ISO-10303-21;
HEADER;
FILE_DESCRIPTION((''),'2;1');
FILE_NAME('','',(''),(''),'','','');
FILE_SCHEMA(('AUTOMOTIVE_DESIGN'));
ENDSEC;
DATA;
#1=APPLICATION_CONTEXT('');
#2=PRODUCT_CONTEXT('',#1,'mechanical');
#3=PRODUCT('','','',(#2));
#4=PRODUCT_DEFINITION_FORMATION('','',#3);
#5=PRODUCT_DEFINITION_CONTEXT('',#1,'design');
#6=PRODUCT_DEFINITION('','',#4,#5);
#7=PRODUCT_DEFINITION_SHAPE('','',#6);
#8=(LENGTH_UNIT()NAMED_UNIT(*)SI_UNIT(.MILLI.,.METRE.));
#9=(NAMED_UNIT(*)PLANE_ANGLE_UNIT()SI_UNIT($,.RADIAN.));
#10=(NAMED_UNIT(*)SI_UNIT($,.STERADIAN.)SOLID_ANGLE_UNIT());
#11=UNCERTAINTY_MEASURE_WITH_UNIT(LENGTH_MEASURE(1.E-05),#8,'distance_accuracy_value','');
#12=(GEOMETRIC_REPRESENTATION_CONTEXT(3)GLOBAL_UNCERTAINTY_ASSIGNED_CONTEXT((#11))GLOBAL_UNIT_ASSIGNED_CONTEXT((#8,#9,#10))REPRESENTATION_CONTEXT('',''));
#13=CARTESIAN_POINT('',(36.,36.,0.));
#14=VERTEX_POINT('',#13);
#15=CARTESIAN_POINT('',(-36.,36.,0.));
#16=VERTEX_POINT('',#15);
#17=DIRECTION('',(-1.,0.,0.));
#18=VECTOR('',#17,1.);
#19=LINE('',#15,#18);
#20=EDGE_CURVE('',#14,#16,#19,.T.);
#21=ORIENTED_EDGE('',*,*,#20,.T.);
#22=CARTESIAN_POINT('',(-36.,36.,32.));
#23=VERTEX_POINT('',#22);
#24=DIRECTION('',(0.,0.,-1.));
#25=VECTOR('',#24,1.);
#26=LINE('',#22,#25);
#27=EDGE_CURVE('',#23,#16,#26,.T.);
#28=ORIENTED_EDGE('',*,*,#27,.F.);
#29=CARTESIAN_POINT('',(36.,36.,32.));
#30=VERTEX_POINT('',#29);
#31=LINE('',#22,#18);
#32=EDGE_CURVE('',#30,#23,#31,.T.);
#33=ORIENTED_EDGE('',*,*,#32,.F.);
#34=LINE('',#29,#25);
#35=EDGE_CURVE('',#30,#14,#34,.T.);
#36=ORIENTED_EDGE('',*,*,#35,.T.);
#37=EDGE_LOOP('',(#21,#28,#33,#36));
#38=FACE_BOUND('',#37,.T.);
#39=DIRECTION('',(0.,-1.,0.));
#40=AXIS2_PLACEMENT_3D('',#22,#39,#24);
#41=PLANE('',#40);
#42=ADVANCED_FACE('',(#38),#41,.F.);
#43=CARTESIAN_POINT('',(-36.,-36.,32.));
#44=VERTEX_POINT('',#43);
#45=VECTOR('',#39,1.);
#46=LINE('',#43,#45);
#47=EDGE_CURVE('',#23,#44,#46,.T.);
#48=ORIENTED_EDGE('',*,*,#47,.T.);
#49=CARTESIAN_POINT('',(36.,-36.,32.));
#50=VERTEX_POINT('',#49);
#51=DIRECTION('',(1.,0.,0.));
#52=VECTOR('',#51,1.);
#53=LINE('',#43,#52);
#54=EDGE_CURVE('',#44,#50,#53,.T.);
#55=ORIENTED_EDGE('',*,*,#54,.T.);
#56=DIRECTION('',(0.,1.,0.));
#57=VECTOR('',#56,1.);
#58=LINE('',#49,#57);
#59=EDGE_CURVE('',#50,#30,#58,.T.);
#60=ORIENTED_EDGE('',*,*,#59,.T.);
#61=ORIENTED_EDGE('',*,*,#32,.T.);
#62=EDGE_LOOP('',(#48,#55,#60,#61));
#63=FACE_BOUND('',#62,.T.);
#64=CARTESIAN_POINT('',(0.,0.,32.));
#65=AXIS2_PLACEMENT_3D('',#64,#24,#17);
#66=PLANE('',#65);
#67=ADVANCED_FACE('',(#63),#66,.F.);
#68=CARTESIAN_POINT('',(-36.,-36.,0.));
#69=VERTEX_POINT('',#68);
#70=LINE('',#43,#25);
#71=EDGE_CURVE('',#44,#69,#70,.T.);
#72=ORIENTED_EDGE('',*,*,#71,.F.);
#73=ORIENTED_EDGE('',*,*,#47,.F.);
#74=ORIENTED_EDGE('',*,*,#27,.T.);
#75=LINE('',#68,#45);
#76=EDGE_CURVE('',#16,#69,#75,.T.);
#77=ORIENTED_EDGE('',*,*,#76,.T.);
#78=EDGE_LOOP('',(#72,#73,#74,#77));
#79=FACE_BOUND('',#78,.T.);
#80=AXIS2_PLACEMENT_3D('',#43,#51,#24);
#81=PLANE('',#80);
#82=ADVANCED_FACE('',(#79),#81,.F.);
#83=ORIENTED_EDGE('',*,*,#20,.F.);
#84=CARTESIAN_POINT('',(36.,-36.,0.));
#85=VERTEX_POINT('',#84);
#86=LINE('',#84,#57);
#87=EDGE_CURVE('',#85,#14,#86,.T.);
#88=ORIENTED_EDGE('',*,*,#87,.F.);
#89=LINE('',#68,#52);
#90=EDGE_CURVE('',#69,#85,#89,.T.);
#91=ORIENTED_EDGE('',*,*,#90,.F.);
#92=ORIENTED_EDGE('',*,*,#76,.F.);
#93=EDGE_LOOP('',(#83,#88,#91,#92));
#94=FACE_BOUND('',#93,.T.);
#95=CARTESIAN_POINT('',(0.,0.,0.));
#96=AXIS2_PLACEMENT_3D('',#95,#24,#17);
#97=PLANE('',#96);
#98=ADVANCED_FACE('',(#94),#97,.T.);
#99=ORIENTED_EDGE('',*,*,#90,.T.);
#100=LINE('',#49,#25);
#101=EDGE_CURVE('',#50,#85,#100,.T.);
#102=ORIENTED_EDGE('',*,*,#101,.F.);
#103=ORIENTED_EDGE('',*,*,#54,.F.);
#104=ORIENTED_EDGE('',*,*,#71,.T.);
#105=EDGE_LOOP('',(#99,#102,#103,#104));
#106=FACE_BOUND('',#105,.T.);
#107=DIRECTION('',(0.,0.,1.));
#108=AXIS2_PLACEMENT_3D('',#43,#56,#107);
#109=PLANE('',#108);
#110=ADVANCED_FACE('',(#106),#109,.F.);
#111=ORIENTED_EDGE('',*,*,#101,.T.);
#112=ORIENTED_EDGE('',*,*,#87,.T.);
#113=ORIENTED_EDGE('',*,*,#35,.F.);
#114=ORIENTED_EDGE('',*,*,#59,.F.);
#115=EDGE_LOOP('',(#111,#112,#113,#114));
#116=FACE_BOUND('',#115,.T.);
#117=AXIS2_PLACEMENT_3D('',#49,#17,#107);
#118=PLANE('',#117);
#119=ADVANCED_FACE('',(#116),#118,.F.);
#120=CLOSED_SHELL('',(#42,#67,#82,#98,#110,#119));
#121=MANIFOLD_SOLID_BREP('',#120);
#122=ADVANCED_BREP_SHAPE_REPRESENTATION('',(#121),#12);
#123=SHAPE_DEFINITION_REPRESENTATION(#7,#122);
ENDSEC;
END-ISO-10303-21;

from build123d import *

# Parameters (mm, degrees)
SKETCH_1_W      = 72
SKETCH_1_H      = 72
EXTRUDE_1_DEPTH = 32


with BuildPart() as part:
    # 草图1 → 凸台-拉伸1 (new body)
    with BuildSketch(Plane.XY):
        Rectangle(SKETCH_1_W, SKETCH_1_H)
    extrude(amount=EXTRUDE_1_DEPTH)


solid = part.part
